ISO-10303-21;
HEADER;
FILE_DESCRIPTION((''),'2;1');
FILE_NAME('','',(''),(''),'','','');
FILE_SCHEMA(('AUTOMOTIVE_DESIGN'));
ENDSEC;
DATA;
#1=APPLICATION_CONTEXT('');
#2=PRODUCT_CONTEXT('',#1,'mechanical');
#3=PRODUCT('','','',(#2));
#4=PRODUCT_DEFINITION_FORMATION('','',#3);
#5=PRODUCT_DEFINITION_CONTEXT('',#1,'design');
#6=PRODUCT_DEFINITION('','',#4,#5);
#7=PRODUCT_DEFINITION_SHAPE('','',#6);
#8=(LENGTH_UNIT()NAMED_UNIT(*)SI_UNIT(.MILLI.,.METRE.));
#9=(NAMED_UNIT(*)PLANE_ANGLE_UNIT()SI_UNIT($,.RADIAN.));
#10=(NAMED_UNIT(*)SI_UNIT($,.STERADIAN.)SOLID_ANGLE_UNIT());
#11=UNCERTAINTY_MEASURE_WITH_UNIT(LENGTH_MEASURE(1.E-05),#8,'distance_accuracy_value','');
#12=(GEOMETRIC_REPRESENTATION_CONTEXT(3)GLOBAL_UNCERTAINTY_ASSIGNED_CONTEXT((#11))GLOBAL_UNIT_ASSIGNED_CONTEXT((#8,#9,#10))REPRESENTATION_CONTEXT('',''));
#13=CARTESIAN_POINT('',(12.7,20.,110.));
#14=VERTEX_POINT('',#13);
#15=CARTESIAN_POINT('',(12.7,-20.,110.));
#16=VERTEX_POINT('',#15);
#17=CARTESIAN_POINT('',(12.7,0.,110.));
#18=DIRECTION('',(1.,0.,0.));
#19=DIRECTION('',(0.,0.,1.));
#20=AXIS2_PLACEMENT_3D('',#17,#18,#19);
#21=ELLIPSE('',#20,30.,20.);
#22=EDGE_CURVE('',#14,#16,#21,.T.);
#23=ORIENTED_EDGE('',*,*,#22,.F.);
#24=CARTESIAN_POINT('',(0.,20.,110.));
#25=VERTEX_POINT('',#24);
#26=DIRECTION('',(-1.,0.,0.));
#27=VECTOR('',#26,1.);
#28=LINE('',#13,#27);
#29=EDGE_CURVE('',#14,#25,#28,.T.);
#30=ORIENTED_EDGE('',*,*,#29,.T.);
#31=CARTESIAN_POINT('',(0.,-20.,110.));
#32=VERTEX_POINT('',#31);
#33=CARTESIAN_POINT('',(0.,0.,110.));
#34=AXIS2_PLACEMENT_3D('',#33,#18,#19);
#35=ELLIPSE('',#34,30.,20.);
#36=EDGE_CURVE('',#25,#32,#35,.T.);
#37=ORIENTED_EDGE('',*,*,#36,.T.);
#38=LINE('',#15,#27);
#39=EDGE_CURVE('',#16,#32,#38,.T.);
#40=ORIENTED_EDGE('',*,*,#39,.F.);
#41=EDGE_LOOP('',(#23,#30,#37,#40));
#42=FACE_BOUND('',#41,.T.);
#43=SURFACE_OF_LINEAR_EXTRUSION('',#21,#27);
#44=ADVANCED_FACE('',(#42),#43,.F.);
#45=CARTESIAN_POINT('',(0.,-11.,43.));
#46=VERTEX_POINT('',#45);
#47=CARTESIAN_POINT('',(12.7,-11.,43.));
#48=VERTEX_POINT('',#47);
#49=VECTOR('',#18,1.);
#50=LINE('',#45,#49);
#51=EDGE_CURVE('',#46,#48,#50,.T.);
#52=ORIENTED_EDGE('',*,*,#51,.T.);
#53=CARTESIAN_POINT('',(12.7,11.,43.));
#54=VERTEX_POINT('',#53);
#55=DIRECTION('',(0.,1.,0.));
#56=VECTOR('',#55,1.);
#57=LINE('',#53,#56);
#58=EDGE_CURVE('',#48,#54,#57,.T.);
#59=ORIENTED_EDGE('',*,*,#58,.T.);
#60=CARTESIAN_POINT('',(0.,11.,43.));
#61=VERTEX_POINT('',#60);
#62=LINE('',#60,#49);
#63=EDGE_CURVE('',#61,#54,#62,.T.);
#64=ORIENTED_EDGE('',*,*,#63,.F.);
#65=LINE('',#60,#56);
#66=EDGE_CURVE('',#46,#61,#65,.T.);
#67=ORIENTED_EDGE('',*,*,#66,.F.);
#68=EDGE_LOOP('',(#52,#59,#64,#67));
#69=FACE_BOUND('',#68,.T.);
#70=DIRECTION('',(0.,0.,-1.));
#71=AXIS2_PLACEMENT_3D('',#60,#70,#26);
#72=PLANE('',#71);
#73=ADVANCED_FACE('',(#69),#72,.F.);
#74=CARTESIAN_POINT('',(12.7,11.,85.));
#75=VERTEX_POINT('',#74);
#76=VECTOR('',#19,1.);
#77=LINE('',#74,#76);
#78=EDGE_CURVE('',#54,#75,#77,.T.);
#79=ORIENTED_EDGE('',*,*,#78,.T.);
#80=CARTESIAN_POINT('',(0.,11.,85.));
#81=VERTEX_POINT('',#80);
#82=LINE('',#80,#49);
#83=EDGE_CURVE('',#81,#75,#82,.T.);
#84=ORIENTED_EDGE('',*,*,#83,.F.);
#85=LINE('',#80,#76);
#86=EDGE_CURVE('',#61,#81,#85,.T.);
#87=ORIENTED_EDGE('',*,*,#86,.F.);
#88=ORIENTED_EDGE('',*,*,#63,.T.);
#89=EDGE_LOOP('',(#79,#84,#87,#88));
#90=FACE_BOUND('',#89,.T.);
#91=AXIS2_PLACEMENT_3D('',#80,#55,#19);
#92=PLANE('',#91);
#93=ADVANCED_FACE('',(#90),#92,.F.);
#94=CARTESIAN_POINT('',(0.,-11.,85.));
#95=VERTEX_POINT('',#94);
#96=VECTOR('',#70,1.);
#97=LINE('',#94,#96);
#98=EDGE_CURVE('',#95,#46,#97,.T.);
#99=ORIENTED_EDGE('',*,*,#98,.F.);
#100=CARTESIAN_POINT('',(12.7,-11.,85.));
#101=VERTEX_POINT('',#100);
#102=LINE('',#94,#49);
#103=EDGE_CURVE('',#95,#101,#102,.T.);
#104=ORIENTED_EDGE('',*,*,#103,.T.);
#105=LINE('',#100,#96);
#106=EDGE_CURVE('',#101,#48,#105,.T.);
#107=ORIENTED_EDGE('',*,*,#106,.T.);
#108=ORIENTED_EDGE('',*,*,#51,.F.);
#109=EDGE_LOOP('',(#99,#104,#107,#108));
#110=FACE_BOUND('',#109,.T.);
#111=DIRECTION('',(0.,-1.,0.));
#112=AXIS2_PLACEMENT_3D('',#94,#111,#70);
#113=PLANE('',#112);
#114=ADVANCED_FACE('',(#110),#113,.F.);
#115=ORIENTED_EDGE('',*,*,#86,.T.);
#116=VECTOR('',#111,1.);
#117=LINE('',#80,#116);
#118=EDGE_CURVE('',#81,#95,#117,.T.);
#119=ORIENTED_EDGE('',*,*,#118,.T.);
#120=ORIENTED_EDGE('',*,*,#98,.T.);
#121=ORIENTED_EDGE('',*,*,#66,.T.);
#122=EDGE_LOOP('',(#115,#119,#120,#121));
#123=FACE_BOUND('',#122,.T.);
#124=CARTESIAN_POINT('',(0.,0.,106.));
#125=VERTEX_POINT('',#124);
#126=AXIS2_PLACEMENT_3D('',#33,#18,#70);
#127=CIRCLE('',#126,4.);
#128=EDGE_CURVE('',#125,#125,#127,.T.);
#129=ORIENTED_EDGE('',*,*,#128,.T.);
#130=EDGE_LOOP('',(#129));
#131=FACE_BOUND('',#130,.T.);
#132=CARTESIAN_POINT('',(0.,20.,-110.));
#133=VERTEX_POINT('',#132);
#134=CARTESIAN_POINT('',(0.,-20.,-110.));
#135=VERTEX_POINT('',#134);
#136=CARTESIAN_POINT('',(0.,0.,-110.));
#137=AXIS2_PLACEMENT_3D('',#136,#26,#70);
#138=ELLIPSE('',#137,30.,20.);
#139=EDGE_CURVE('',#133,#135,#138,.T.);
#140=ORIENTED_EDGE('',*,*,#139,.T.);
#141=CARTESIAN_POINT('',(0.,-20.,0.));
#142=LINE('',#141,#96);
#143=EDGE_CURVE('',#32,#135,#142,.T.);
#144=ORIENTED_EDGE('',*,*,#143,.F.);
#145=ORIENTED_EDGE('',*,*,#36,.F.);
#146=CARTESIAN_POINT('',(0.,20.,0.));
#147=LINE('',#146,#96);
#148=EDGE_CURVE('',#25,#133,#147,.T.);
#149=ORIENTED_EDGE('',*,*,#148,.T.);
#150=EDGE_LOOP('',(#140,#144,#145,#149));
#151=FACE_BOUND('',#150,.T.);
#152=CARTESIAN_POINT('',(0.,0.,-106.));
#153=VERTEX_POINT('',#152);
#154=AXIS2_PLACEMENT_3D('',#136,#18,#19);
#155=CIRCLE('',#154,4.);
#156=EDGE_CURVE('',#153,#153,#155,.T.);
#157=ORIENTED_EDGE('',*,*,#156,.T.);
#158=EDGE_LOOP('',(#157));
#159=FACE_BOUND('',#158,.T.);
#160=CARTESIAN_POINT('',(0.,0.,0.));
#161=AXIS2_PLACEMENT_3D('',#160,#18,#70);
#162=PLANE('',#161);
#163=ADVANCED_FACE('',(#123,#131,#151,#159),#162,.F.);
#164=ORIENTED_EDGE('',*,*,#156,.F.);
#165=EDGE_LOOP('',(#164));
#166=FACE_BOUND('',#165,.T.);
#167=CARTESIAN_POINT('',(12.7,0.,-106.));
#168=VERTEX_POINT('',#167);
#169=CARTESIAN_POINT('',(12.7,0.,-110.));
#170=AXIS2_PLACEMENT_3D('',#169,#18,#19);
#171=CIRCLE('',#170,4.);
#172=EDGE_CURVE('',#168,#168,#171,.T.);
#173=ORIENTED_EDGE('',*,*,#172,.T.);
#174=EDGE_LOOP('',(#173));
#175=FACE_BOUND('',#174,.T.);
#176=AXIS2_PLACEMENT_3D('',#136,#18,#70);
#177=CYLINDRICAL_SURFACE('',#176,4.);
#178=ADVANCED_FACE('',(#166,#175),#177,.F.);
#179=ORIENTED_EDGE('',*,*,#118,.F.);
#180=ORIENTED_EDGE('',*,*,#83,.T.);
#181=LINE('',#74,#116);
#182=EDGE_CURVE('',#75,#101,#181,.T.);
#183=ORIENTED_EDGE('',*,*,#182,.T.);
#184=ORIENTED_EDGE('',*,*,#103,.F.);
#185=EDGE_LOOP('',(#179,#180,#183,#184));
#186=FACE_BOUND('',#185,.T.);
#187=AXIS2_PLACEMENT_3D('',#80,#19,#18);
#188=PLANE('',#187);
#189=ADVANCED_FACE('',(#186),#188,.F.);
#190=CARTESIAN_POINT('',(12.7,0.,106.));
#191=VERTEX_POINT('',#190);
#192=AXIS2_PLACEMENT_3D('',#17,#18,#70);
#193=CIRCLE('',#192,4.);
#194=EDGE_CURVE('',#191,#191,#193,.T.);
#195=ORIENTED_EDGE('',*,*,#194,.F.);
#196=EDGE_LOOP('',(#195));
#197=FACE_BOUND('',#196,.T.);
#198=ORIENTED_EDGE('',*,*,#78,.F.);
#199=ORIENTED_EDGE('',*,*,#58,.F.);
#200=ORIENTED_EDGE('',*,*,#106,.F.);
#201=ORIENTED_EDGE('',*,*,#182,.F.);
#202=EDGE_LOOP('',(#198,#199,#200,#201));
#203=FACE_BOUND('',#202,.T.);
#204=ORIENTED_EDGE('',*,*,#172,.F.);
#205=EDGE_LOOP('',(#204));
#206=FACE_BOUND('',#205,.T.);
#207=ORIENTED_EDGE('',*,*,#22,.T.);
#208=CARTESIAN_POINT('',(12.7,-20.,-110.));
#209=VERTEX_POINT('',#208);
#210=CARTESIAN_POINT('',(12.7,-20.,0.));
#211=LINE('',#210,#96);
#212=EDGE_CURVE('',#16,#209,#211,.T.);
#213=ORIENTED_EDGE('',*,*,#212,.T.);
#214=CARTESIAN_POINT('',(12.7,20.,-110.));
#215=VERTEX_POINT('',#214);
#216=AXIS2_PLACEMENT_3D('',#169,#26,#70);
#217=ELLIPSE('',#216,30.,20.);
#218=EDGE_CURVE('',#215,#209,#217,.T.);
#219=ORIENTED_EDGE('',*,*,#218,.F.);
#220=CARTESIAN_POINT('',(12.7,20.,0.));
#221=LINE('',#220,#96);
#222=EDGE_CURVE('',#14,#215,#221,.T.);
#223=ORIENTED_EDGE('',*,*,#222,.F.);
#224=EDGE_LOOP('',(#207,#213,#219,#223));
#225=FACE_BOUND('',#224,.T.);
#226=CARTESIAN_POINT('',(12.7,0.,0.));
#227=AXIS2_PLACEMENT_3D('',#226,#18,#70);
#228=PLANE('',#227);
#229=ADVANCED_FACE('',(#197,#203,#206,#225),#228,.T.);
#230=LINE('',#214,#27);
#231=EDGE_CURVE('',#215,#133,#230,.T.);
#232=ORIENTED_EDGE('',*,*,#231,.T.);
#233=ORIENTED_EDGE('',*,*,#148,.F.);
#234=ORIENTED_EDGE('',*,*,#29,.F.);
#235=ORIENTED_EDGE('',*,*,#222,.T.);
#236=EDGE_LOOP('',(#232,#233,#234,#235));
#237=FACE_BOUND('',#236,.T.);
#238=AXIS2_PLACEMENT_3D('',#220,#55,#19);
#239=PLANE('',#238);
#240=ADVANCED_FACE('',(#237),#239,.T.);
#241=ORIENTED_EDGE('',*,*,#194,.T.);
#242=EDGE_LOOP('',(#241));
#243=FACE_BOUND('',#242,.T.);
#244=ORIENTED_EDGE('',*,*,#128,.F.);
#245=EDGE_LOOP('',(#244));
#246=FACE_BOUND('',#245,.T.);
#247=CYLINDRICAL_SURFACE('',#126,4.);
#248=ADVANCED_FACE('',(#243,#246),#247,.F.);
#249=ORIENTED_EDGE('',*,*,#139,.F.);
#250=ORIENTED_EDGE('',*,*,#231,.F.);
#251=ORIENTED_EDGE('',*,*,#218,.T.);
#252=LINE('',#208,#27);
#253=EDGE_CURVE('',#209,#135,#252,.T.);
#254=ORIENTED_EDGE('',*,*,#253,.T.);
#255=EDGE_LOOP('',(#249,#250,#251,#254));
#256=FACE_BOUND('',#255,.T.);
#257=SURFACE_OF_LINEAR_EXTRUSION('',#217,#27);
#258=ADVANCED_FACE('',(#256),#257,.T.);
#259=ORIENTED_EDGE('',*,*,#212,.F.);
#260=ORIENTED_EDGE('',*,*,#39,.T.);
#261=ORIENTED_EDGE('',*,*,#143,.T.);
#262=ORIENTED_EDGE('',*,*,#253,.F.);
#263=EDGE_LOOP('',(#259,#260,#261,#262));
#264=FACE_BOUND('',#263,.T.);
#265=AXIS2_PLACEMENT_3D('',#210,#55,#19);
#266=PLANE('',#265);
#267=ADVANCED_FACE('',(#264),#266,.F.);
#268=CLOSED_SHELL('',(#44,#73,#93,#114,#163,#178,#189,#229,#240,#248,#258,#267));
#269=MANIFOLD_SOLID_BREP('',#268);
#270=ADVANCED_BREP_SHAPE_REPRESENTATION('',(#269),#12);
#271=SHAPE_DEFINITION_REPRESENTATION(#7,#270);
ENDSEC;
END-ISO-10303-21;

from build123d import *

# Parameters (mm, degrees)
SKETCH1_RX          = 30
SKETCH1_RY          = 20
SKETCH1_W           = 220
SKETCH1_H           = 40
BOSS_EXTRUDE1_DEPTH = 12.7
SKETCH2_R           = 4
SKETCH2_W           = 42
SKETCH2_H           = 22
CUT_EXTRUDE1_DEPTH  = 12.7


with BuildPart() as part:
    # Sketch1 → Boss-Extrude1 (new body)
    with BuildSketch(Plane(origin=(0, 0, 0), x_dir=(0, 0, -1), z_dir=(1, 0, 0))):
        with Locations(Location((-110, 0), (0, 0, 0))):
            Ellipse(SKETCH1_RX, SKETCH1_RY)
        with Locations(Location((110, 0), (0, 0, -180))):
            Ellipse(SKETCH1_RX, SKETCH1_RY)
        Rectangle(SKETCH1_W, SKETCH1_H)
    extrude(amount=BOSS_EXTRUDE1_DEPTH)

    # Sketch2 → Cut-Extrude1 (cut)
    with BuildSketch(Plane(origin=(12.7, 0, 0), x_dir=(0, 0, -1), z_dir=(1, 0, 0))):
        with Locations((-110, 0)):
            Circle(SKETCH2_R)
        with Locations(Location((110, 0, 0), (0, 0, 180))):
            Circle(SKETCH2_R)
        with Locations((-64, 0)):
            Rectangle(SKETCH2_W, SKETCH2_H)
    extrude(amount=-CUT_EXTRUDE1_DEPTH, mode=Mode.SUBTRACT)


solid = part.part
